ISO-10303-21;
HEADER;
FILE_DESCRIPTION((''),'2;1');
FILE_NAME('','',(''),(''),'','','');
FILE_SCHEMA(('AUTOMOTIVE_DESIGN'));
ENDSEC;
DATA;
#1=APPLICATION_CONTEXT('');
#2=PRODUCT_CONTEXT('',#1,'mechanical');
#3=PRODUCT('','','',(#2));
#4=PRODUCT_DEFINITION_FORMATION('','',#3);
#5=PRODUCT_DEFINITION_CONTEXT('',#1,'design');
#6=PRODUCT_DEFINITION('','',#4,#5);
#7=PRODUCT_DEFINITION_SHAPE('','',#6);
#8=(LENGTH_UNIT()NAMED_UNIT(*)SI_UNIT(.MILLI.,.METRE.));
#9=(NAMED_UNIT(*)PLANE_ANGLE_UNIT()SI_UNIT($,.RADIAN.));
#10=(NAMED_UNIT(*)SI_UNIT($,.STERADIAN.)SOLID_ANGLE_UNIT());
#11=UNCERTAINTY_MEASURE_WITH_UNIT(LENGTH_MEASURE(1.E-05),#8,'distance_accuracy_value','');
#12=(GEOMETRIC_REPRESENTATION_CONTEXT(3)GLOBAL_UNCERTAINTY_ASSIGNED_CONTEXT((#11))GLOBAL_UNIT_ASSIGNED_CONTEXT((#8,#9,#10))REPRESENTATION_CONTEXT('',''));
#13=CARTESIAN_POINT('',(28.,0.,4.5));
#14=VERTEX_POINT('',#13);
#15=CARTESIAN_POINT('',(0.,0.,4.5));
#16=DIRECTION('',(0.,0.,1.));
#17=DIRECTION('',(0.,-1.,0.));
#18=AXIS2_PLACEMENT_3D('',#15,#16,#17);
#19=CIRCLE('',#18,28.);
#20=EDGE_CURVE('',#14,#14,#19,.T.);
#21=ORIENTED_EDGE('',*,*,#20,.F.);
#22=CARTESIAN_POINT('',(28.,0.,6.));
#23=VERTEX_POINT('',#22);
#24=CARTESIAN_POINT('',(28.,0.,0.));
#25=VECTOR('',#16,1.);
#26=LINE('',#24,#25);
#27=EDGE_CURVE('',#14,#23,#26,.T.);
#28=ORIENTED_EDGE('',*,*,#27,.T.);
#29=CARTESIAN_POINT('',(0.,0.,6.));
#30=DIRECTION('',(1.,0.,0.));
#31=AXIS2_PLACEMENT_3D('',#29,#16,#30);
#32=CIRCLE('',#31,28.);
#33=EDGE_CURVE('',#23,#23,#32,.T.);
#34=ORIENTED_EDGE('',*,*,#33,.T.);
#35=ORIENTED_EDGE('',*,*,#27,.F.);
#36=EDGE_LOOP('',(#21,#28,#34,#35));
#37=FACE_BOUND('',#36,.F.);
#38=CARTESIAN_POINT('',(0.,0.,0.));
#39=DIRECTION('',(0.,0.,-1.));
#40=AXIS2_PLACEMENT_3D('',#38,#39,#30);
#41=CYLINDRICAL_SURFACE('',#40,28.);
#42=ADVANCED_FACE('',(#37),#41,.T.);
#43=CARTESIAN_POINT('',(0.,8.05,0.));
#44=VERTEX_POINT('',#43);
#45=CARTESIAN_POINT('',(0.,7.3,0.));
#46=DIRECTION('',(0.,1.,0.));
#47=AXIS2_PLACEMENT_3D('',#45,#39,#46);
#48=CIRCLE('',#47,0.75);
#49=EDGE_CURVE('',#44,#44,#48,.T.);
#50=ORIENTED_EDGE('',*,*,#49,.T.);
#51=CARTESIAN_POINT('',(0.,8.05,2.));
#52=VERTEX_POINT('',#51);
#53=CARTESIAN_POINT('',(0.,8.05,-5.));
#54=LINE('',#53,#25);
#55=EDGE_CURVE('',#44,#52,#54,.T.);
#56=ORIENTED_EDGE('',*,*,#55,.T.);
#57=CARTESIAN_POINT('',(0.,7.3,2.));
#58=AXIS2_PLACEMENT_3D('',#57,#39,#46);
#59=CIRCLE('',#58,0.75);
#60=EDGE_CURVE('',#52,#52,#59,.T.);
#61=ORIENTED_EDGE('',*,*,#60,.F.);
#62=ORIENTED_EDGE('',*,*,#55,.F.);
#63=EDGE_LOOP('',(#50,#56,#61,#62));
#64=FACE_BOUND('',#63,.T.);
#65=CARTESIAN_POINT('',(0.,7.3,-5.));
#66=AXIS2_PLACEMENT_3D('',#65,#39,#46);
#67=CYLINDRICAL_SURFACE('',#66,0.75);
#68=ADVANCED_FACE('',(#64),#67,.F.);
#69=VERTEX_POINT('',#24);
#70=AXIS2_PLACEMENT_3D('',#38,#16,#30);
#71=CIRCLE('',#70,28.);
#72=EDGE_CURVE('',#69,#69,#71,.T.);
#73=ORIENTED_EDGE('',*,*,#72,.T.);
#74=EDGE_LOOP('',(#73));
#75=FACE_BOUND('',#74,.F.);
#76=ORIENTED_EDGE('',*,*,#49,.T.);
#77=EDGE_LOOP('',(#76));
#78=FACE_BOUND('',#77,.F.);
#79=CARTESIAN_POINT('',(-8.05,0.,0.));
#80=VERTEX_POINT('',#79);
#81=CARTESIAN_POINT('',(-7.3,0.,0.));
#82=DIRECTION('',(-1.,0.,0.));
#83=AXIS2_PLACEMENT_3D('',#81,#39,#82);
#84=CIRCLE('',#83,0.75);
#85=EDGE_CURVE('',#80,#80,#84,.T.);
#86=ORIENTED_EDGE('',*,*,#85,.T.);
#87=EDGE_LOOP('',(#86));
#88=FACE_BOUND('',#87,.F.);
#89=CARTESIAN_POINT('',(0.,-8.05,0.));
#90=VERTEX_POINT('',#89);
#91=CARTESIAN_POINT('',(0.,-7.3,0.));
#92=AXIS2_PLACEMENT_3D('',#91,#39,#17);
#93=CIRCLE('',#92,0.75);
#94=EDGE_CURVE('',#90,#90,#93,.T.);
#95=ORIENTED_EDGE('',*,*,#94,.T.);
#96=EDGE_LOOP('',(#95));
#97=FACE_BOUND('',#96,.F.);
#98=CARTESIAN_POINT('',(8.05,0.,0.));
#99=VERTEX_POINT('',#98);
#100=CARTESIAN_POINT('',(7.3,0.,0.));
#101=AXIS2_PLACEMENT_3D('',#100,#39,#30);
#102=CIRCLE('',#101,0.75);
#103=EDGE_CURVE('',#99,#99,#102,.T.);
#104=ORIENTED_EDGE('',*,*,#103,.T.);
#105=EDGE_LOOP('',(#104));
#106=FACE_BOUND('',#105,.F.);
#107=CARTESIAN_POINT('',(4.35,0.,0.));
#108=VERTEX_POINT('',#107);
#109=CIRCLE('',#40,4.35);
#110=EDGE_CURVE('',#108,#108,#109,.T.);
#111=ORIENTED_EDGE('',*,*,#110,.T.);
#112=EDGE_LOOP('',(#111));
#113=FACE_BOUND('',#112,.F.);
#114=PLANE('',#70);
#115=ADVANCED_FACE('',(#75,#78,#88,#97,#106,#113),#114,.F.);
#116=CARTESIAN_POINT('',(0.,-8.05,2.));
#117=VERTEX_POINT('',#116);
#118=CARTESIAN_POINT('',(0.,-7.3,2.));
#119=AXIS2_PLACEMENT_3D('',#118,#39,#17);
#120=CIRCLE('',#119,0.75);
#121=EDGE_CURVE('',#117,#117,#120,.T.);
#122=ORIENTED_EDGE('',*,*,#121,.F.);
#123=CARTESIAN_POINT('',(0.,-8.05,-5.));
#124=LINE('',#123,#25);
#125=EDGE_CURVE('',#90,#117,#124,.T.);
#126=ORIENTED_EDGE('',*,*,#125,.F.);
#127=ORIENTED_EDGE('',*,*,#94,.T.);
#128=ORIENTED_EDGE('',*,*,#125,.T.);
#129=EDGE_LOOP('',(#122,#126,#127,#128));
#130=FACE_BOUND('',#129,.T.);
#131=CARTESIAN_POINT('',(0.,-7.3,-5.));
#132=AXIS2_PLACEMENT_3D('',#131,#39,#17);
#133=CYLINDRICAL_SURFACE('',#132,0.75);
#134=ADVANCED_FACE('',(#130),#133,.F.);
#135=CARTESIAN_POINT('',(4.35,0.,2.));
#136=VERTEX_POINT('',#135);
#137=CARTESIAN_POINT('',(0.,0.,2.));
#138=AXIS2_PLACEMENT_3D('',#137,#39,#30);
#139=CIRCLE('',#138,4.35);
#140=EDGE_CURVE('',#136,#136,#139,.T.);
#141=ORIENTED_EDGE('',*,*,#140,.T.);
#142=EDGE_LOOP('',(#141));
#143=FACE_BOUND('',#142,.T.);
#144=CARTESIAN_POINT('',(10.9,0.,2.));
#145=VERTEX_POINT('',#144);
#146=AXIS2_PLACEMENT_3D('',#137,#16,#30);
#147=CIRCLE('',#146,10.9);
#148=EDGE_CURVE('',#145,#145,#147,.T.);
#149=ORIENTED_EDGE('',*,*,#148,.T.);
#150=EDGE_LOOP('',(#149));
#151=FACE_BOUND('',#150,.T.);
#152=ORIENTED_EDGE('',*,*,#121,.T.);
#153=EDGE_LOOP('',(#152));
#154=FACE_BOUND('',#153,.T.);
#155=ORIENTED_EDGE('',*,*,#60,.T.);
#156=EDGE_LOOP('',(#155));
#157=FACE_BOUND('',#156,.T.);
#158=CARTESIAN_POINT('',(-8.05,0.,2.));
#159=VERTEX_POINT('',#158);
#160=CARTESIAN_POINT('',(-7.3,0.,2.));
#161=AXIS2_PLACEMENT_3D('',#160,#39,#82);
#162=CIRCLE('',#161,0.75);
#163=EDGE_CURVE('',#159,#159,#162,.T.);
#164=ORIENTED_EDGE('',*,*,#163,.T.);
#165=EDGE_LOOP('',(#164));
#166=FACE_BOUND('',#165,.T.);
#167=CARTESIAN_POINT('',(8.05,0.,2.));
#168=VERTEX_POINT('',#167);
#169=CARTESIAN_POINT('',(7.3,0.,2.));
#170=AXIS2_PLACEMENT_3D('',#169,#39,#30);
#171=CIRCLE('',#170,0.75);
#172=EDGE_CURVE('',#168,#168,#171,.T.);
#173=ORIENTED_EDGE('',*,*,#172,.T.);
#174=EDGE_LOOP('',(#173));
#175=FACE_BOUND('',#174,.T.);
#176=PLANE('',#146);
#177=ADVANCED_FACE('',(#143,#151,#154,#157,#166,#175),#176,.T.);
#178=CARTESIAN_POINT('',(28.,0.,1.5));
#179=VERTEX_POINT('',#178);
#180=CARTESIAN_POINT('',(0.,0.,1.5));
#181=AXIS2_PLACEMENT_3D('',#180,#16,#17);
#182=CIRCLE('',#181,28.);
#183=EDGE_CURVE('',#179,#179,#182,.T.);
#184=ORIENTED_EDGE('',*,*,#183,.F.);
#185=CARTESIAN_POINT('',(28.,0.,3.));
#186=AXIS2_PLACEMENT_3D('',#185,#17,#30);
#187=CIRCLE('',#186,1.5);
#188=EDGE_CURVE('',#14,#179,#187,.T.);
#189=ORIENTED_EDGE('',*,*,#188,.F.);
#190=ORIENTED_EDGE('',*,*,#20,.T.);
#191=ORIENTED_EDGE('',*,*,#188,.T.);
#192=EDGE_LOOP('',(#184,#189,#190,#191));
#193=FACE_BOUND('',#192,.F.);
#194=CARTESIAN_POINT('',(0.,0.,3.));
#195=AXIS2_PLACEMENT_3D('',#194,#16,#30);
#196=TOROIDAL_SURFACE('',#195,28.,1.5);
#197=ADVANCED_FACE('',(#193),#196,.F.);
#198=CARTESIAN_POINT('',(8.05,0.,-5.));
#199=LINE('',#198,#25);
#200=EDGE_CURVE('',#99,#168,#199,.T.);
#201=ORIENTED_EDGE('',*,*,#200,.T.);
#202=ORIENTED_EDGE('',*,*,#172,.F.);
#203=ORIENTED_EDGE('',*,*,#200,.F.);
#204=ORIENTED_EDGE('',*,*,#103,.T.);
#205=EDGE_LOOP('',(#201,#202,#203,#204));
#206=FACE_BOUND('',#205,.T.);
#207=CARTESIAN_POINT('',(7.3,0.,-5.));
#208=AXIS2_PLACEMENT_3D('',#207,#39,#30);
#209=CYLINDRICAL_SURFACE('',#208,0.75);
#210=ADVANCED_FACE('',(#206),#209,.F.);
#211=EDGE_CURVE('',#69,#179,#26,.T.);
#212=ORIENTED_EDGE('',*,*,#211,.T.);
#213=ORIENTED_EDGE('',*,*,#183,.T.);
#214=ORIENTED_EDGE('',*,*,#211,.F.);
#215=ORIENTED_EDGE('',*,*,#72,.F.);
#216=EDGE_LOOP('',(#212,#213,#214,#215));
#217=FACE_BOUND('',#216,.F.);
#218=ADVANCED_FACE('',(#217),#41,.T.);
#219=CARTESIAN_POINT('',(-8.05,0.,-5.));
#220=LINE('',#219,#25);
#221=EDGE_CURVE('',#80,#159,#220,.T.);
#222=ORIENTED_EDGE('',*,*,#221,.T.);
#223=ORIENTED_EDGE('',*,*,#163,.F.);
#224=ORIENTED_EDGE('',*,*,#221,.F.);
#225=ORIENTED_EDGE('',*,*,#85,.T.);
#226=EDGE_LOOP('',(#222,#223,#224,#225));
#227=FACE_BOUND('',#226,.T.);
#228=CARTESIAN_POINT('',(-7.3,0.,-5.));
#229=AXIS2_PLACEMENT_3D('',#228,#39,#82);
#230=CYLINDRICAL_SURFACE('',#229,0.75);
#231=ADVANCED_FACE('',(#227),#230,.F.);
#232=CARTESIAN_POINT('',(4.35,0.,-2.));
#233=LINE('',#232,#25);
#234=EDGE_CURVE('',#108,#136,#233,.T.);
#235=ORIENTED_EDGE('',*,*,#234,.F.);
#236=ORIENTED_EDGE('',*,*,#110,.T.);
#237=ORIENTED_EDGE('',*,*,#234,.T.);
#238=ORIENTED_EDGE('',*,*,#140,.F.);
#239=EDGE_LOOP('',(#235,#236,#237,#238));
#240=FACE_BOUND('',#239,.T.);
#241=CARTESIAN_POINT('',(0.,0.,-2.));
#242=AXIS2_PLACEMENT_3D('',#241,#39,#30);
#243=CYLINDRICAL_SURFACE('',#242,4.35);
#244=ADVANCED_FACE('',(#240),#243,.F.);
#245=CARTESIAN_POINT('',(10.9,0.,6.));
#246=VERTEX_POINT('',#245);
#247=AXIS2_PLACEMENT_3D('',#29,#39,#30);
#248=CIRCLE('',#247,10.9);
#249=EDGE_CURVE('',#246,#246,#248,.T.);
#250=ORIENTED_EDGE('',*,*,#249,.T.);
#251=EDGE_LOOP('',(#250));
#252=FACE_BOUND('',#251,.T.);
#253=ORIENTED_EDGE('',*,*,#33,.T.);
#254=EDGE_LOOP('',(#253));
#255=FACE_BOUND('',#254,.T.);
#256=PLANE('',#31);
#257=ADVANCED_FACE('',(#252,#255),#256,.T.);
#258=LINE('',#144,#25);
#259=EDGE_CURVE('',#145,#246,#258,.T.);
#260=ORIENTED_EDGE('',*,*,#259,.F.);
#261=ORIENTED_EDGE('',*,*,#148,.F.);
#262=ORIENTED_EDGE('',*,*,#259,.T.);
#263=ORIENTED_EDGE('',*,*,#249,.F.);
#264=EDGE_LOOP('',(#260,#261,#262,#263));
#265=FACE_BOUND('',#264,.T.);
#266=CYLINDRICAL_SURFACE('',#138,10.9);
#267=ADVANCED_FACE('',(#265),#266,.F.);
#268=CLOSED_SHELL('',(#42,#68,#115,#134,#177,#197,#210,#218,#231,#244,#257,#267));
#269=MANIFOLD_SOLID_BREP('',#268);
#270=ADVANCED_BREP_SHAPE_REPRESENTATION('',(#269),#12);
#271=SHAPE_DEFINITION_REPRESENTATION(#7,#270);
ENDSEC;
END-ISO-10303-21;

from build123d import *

# Parameters (mm, degrees)
CYLINDER003_R     = 0.75
CYLINDER003_DEPTH = 10
ARRAY_COUNT       = 4
CYLINDER002_R     = 4.35
CYLINDER002_DEPTH = 10
CYLINDER001_R     = 10.9
CYLINDER001_DEPTH = 10
TORUS_R           = 1.5
CYLINDER_R        = 28
CYLINDER_DEPTH    = 6


with BuildPart() as array:
    # Cylinder003 → Cylinder003 (new body)
    with BuildSketch(Plane(origin=(7.3, 0, -5), x_dir=(1, 0, 0), z_dir=(0, 0, 1))):
        Circle(CYLINDER003_R)
    extrude(amount=CYLINDER003_DEPTH)

    # Array: Array ×4 about axis
    array_axis = Axis((0, 0, 1), (0, 0, 1))


with BuildPart() as array_1:
    add(array.part)
    for i in range(1, ARRAY_COUNT):
        add(array.part.rotate(array_axis, i * 360 / ARRAY_COUNT))


with BuildPart() as forat_eix:
    # Cylinder002 → Cylinder002 (new body)
    with BuildSketch(Plane.XY.offset(-2)):
        Circle(CYLINDER002_R)
    extrude(amount=CYLINDER002_DEPTH)


with BuildPart() as corona_servo:
    # Cylinder001 → Cylinder001 (new body)
    with BuildSketch(Plane.XY.offset(2)):
        Circle(CYLINDER001_R)
    extrude(amount=CYLINDER001_DEPTH)


with BuildPart() as junta:
    # Torus → Torus (revolve)
    with BuildSketch(Plane(origin=(0, 0, 3), x_dir=(1, 0, 0), z_dir=(0, -1, 0))):
        with Locations((28, 0)):
            Circle(TORUS_R)
    revolve(axis=Axis((0, 0, 3), (0, 0, 1)))


with BuildPart() as roda_miniskybot:
    # Cylinder → Cylinder (new body)
    with BuildSketch(Plane.XY):
        Circle(CYLINDER_R)
    extrude(amount=CYLINDER_DEPTH)

    # Cut: cut junta
    add(junta.part, mode=Mode.SUBTRACT)

    # Cut001: cut corona servo
    add(corona_servo.part, mode=Mode.SUBTRACT)

    # Cut002: cut forat eix
    add(forat_eix.part, mode=Mode.SUBTRACT)

    # Cut003: cut Array
    add(array_1.part, mode=Mode.SUBTRACT)


solid = roda_miniskybot.part
